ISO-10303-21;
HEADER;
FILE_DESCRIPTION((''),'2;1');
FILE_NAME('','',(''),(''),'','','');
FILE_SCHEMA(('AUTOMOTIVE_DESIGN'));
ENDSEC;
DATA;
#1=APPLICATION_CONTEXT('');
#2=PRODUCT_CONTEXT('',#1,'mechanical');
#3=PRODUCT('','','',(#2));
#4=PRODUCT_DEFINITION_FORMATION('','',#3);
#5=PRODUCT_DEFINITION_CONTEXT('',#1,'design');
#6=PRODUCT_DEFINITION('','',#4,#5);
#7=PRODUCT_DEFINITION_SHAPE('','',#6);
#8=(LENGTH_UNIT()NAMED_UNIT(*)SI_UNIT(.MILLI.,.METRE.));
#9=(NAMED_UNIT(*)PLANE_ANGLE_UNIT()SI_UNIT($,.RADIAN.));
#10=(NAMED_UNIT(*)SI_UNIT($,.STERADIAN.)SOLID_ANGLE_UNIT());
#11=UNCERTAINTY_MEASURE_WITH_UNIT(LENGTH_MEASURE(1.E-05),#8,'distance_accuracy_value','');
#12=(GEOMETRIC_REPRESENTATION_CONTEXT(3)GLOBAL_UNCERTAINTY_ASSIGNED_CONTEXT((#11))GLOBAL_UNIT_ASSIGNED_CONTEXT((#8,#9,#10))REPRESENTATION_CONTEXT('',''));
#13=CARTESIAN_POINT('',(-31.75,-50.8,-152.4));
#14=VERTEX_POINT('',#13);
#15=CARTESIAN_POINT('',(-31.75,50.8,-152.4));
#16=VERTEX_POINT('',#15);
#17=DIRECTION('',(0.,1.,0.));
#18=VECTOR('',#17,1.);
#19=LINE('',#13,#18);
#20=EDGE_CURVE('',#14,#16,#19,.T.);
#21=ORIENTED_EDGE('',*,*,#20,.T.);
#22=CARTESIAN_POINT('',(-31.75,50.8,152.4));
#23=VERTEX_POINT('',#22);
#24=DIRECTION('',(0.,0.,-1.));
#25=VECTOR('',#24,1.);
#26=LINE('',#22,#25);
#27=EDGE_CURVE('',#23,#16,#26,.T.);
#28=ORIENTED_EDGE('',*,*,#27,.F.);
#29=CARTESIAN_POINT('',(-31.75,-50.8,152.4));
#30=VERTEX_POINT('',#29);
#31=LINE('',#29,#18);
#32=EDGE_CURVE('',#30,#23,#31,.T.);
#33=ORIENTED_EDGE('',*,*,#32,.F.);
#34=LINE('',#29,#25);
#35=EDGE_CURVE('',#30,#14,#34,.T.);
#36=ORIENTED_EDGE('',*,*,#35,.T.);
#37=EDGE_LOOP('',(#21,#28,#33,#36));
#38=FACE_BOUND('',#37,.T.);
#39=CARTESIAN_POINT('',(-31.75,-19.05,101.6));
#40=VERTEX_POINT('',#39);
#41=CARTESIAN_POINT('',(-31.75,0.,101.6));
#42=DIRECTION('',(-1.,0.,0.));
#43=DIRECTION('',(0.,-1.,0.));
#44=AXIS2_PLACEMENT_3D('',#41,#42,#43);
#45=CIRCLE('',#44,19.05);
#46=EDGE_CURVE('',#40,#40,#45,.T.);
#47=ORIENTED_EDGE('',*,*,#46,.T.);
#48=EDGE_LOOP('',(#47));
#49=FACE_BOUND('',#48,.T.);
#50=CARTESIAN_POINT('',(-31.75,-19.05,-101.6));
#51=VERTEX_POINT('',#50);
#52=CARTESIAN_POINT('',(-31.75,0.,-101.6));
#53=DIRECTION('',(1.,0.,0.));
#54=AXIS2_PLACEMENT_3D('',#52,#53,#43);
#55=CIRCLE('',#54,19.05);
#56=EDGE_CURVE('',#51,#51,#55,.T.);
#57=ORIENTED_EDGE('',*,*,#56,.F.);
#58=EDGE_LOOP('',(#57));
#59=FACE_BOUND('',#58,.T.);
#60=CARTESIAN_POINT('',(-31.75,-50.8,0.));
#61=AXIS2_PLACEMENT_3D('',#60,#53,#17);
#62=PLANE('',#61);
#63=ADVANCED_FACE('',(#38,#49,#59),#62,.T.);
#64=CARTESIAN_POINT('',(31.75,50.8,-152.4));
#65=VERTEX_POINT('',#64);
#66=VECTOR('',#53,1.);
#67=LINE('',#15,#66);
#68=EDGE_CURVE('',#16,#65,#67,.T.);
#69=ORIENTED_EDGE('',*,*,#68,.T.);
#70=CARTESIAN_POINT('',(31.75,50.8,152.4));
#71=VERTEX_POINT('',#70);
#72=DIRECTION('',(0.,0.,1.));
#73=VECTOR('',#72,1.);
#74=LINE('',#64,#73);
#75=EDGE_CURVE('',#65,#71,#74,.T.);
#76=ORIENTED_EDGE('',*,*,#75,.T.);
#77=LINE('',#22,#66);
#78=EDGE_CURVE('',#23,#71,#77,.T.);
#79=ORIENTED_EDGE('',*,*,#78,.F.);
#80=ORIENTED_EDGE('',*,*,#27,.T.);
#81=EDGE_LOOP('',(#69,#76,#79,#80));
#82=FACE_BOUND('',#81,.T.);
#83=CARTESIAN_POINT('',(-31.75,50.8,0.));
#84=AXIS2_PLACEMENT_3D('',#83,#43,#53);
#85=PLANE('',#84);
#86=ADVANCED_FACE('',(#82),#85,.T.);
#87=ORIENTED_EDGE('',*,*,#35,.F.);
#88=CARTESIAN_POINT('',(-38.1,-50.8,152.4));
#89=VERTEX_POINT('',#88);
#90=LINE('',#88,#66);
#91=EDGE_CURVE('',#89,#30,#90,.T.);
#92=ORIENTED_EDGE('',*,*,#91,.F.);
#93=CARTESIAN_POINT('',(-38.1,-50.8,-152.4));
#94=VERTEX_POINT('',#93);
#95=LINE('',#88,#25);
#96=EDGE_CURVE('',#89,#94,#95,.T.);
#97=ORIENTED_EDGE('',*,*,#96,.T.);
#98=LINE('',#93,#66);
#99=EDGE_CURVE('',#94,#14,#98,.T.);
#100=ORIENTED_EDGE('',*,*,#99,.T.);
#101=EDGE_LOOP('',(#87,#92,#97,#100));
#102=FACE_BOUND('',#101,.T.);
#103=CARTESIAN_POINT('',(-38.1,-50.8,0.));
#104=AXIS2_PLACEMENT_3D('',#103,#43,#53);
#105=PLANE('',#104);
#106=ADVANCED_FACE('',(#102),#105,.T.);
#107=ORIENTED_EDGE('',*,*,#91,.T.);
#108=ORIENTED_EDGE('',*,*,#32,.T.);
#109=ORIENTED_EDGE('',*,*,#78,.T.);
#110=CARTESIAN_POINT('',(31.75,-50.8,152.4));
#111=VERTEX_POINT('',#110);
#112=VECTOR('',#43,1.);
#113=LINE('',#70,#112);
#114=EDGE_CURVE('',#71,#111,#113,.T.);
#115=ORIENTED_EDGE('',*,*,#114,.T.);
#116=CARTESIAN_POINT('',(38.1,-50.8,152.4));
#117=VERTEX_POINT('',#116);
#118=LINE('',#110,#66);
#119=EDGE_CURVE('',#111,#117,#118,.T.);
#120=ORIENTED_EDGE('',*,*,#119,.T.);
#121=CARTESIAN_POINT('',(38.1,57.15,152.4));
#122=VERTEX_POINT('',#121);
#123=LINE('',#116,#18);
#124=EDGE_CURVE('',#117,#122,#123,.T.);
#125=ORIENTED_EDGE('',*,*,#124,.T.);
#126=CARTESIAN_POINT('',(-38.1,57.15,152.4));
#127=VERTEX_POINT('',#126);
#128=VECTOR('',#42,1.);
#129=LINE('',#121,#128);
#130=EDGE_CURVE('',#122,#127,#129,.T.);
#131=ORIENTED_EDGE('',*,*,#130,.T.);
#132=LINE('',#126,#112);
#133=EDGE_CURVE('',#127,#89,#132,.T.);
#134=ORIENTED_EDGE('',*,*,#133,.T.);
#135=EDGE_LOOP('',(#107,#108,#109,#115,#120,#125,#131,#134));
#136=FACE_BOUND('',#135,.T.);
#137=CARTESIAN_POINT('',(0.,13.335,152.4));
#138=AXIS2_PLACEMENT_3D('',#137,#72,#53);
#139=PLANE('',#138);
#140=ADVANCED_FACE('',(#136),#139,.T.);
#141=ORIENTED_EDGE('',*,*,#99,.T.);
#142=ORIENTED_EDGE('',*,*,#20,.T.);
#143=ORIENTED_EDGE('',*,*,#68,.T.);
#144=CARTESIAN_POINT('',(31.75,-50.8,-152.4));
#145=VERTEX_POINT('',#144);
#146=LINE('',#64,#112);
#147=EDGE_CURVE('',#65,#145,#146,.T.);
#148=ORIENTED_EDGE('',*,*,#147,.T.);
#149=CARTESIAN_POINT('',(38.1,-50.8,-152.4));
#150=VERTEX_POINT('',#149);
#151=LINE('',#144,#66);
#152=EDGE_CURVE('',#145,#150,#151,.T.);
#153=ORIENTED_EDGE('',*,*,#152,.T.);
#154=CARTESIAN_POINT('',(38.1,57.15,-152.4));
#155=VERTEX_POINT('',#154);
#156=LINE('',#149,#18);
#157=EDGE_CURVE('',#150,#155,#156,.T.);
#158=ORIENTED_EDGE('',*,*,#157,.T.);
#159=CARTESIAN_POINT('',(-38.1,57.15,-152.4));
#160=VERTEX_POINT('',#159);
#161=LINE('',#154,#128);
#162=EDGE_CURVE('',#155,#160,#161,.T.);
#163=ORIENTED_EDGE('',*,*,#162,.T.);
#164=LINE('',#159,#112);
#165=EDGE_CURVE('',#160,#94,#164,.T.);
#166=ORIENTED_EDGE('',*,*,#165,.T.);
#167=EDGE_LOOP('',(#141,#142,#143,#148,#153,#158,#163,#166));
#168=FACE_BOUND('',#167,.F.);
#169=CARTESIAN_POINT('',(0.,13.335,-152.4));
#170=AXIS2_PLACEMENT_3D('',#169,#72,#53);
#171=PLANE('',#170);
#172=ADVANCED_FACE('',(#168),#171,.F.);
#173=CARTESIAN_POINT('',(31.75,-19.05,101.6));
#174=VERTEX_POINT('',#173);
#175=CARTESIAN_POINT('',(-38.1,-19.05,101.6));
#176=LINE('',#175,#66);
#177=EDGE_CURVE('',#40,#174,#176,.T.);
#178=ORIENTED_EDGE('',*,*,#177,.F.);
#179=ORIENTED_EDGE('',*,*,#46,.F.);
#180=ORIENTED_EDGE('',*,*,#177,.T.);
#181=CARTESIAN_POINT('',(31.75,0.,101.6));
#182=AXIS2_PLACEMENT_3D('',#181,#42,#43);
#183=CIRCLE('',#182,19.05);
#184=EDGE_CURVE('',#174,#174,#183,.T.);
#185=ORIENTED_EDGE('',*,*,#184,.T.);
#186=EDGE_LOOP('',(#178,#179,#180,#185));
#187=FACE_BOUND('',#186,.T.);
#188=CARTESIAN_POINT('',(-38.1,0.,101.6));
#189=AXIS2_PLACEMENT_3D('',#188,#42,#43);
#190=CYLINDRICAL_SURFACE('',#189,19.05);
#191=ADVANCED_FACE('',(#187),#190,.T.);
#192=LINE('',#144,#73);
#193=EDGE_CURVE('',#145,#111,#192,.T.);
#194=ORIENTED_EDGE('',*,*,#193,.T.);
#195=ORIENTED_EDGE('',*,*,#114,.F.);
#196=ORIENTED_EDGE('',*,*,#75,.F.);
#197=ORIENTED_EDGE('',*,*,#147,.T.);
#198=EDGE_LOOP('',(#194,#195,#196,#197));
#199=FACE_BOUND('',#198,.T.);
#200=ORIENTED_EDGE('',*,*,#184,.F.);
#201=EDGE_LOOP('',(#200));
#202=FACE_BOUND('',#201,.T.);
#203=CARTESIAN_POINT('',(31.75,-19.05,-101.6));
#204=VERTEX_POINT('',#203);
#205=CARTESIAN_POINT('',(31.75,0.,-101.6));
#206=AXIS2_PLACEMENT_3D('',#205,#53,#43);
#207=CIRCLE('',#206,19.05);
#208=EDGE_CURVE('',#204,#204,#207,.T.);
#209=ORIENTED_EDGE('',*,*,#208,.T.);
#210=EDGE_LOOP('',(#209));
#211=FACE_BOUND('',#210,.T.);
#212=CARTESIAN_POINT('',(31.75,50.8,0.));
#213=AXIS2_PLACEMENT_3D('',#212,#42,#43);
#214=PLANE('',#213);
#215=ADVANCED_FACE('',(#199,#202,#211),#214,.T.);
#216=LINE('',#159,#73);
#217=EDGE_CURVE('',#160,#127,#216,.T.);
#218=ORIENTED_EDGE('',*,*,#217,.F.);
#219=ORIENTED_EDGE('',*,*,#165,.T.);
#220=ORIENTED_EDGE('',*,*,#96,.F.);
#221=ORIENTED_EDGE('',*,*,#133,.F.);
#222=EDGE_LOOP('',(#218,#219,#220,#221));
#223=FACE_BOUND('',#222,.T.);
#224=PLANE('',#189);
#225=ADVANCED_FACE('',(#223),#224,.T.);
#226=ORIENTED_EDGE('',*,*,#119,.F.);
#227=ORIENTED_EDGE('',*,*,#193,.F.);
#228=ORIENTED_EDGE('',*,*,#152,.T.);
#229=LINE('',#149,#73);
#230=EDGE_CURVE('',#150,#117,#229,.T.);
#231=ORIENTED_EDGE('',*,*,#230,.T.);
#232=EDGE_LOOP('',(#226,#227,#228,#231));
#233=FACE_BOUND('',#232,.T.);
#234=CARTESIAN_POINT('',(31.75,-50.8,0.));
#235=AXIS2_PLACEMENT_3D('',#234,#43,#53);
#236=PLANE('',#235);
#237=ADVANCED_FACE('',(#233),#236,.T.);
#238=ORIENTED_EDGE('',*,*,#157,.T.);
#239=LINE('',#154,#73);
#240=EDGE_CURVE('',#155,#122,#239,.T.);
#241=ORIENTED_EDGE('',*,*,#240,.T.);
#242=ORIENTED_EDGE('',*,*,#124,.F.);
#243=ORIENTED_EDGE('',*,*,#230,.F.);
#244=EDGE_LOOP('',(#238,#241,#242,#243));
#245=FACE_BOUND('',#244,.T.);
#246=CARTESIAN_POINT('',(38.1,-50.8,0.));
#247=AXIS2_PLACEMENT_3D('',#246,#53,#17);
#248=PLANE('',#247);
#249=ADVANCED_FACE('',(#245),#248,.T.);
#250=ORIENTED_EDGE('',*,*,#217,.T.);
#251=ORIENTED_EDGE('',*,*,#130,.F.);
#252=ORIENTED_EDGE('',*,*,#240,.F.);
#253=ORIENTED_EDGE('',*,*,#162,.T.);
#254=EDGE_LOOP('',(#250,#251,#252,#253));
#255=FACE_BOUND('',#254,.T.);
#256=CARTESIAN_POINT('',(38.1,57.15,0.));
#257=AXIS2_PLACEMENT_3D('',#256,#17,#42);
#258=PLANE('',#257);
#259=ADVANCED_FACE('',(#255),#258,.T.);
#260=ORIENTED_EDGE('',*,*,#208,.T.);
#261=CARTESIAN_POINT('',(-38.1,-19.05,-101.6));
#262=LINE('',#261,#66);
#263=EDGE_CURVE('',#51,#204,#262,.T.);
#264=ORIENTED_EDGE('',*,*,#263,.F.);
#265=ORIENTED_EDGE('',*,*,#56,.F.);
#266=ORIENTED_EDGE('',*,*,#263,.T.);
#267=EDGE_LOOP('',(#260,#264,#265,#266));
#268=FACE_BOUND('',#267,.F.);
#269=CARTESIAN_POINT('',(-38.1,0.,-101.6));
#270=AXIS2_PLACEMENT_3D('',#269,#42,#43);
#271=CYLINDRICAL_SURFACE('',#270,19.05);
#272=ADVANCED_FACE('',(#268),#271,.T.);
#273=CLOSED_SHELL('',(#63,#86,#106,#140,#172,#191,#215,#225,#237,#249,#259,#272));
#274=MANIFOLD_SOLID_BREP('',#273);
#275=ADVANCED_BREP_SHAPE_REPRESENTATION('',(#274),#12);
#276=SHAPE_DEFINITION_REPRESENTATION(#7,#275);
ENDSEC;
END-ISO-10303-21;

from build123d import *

# Parameters (mm, degrees)
F1_DEPTH      = 152.4
F1_DEPTH_BACK = 152.4
F2_R          = 19.05
F3_DEPTH      = 76.2


with BuildPart() as f1:
    # F0 (on Top) → F1 (new body, two sides)
    with BuildSketch(Plane.XY) as f1_sk:
        Polygon((-31.75, 50.8), (31.75, 50.8), (31.75, -50.8), (38.1, -50.8), (38.1, 57.15), (-38.1, 57.15), (-38.1, -50.8), (-31.75, -50.8), align=None)
    extrude(amount=F1_DEPTH)
    extrude(f1_sk.sketch, amount=-F1_DEPTH_BACK)

    # F2 (on face) → F3 (join)
    with BuildSketch(Plane(origin=(-38.1, 0, 0), x_dir=(0, -1, 0), z_dir=(-1, 0, 0))):
        with Locations((0, 101.6)):
            Circle(F2_R)
    extrude(amount=-F3_DEPTH)

    # F4: F1 across plane


with BuildPart() as f1_1:
    add(f1.part)
    add(f1.part.mirror(Plane.XY))


solid = f1_1.part
